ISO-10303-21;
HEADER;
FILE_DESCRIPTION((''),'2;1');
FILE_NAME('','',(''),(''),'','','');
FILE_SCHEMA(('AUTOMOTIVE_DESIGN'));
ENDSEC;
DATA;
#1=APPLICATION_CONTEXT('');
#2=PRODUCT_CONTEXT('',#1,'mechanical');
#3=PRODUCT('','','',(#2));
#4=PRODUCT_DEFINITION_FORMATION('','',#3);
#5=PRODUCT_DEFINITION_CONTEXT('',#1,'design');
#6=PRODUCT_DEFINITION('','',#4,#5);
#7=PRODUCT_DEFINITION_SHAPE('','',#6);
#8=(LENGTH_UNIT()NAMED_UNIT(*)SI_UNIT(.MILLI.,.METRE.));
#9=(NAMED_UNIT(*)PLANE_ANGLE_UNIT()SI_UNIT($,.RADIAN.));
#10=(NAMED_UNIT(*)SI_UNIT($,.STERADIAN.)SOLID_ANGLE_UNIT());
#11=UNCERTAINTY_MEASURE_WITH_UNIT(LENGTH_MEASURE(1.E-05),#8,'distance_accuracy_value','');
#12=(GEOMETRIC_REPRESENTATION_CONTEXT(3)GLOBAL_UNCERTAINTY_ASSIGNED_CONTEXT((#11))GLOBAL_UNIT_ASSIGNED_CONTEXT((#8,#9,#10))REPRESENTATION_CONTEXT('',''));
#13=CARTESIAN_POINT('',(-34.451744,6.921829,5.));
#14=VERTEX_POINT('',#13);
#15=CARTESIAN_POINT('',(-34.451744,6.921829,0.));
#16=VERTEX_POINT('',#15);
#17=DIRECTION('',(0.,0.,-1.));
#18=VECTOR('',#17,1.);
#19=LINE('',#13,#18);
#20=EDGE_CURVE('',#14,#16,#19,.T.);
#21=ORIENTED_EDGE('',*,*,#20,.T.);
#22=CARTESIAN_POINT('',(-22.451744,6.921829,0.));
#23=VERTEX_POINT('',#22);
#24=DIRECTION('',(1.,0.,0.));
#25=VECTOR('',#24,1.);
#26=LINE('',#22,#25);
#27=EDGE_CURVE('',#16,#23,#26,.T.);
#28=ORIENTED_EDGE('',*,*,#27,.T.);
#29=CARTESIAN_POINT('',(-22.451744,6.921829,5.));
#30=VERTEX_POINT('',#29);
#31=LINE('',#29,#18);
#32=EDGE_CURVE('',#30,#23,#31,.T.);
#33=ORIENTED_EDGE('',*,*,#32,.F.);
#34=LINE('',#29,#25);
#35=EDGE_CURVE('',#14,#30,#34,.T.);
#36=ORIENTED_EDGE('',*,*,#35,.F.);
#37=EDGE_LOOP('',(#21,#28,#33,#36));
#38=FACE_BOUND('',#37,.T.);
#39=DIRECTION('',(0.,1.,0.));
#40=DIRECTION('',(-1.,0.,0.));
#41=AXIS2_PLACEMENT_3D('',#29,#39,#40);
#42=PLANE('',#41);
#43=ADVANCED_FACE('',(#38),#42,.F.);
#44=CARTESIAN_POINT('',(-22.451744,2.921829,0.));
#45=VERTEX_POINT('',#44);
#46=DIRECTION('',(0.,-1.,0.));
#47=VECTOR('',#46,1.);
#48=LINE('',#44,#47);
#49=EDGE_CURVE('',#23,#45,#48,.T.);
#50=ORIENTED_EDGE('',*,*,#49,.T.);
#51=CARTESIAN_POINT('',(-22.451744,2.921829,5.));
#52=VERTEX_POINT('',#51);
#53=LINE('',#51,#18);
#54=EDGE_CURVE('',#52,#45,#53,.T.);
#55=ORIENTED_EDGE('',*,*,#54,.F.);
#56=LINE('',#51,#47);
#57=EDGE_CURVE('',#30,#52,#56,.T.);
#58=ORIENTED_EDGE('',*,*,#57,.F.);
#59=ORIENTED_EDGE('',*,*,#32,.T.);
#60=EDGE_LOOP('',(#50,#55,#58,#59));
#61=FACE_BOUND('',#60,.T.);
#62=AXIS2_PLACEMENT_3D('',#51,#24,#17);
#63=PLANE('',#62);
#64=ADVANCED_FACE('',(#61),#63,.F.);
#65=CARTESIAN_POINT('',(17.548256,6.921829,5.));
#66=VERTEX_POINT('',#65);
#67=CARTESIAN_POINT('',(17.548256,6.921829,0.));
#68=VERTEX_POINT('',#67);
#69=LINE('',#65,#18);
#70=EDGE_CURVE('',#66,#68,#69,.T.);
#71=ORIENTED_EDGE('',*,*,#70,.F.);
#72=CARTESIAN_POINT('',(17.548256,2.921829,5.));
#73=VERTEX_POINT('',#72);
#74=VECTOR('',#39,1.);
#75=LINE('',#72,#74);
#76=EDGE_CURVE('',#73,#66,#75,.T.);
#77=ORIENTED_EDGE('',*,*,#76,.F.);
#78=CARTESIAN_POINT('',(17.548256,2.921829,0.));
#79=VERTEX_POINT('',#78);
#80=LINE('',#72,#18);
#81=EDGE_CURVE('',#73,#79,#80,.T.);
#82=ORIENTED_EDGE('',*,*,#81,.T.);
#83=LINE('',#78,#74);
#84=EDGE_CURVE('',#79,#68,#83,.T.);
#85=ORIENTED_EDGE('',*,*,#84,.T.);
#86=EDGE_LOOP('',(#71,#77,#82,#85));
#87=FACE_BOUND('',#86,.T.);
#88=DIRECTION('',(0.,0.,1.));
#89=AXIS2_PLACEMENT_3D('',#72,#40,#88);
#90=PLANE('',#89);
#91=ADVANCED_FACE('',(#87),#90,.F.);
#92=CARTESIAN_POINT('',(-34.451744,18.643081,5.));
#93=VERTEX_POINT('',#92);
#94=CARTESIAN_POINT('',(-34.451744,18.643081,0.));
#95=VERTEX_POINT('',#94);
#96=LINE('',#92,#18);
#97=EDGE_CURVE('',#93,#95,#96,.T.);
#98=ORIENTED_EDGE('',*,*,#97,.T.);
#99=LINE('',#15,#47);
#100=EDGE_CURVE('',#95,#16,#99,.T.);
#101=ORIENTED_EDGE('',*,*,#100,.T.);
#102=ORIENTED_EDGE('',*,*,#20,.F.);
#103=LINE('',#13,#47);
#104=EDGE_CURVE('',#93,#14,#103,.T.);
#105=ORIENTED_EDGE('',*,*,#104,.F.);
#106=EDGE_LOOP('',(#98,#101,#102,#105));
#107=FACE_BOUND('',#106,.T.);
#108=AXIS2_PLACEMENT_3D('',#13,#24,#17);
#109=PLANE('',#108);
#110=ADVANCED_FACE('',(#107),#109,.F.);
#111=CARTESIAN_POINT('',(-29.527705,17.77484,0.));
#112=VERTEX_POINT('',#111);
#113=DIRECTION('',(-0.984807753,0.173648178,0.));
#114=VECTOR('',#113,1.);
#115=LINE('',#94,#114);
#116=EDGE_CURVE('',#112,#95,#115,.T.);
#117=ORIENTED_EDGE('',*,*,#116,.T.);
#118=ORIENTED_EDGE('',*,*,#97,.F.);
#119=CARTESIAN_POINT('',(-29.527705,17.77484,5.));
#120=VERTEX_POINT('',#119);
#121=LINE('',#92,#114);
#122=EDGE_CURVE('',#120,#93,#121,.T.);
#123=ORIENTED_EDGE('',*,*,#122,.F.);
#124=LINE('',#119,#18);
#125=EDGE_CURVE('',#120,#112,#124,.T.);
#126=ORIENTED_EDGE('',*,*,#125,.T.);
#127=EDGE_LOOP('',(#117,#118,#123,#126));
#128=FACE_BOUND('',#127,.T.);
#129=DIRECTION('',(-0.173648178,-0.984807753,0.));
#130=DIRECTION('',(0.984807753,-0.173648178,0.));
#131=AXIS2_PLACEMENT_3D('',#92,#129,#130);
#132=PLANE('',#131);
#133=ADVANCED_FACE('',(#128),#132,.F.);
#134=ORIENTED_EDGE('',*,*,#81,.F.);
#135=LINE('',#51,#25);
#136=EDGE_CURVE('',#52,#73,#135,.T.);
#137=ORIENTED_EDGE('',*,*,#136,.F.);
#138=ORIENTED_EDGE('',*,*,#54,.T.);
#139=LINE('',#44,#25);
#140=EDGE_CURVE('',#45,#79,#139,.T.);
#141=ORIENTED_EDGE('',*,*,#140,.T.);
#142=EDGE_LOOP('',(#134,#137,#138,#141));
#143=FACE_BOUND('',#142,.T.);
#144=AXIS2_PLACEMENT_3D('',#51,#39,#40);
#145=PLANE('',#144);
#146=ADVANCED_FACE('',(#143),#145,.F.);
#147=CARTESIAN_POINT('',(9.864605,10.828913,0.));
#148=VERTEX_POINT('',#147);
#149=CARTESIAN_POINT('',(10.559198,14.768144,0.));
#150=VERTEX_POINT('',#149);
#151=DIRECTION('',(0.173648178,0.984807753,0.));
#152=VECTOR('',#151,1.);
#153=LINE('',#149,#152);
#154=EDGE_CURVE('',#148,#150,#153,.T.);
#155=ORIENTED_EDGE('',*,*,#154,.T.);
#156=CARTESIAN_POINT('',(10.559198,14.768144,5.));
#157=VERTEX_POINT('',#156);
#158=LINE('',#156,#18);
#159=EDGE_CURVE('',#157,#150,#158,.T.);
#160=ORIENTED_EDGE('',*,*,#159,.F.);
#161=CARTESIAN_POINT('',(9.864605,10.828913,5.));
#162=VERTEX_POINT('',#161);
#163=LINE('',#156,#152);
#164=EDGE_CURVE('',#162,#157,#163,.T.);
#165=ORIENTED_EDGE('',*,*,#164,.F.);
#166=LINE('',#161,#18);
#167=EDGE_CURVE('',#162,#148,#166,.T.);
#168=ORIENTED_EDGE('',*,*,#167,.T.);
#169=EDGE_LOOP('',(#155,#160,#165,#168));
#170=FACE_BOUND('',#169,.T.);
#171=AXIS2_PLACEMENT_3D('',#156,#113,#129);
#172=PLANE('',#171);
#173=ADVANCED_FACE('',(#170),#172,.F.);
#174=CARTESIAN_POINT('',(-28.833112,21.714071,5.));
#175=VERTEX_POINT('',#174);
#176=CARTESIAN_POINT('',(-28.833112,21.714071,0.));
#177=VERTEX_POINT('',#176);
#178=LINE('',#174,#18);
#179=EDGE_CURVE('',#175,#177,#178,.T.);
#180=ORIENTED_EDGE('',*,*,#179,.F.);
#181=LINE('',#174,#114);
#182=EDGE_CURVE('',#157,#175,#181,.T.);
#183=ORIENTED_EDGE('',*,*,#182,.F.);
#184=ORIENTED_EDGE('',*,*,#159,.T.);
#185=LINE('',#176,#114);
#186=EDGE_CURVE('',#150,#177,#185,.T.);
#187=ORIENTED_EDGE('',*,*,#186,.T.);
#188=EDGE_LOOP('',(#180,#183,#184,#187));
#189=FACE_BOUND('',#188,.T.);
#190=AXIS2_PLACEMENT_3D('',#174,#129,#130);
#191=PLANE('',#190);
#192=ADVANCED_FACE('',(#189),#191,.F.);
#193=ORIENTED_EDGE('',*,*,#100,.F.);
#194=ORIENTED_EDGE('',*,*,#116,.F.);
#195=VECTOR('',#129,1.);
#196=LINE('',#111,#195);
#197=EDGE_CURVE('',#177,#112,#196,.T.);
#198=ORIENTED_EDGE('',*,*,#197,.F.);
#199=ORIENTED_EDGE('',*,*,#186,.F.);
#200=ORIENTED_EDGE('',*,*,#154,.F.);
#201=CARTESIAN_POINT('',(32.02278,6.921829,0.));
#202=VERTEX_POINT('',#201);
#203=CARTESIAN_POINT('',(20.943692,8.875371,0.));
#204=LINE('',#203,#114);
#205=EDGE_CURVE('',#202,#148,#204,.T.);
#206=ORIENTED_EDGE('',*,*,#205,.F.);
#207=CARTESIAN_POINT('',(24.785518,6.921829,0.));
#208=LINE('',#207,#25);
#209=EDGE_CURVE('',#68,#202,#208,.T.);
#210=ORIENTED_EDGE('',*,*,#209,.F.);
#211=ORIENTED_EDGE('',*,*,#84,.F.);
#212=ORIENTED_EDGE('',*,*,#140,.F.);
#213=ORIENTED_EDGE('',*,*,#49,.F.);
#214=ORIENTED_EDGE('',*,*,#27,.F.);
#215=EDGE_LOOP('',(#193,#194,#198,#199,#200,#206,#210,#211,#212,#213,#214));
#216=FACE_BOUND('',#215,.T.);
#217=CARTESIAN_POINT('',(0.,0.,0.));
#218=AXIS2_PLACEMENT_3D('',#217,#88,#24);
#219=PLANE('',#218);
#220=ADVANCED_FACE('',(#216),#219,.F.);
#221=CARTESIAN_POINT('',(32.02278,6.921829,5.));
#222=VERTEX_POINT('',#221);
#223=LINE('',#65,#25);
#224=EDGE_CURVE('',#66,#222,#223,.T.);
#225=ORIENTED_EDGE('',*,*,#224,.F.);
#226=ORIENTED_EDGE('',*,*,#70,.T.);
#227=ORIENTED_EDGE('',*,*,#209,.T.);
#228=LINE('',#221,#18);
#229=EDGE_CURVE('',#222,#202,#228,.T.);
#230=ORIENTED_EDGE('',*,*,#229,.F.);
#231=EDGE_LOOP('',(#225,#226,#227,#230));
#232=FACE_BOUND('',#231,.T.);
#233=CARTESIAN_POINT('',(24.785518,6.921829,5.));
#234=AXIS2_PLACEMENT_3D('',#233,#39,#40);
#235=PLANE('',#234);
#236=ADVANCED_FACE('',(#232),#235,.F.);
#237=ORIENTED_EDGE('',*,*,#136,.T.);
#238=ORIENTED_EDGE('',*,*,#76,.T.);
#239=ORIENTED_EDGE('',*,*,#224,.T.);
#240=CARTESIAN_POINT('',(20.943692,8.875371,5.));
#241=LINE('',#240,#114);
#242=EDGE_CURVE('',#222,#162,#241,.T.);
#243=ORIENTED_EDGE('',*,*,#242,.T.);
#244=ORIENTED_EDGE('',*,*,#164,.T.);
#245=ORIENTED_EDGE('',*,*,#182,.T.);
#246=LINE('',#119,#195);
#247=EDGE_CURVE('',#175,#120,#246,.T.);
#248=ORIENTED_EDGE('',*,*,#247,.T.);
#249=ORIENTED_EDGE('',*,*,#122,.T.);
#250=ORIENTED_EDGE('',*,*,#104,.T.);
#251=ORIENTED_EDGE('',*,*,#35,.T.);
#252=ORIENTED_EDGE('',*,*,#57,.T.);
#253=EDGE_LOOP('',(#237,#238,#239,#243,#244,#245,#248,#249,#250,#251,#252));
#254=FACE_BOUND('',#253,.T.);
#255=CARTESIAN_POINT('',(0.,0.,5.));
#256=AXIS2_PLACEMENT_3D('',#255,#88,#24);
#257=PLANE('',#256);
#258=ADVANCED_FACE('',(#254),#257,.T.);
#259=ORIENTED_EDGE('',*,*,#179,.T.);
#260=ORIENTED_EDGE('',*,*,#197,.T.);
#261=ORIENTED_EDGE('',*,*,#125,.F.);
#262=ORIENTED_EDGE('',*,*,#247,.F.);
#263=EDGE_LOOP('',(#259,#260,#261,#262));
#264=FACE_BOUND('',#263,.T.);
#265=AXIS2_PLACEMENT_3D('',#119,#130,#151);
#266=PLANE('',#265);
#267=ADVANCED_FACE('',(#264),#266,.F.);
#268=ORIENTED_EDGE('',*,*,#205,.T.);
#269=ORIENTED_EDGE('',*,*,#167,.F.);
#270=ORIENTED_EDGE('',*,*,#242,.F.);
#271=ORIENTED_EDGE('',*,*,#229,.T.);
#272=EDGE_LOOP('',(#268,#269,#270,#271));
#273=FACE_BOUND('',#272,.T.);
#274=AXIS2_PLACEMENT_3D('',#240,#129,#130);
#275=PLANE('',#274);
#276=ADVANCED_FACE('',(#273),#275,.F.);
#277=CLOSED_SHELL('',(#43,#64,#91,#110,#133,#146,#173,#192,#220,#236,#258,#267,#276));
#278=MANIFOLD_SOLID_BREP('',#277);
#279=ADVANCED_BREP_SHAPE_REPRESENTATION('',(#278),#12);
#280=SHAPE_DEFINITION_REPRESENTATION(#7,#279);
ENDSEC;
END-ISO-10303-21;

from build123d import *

# Parameters (mm, degrees)
EXTRUDE_1_DEPTH = 5


with BuildPart() as part:
    # 草图1 → 凸台-拉伸1 (new body)
    with BuildSketch(Plane.XY):
        Polygon((-22.45174375, 2.921828866), (-22.45174375, 6.921828866), (-34.45174375, 6.921828866), (-34.45174375, 18.643080859), (-29.527704985, 17.77483997), (-28.833112274, 21.714070982), (10.559197847, 14.768143876), (9.864605136, 10.828912864), (20.943692357, 8.875370865), (32.022779579, 6.921828866), (24.785517914, 6.921828866), (17.54825625, 6.921828866), (17.54825625, 2.921828866), align=None)
    extrude(amount=EXTRUDE_1_DEPTH)


solid = part.part
